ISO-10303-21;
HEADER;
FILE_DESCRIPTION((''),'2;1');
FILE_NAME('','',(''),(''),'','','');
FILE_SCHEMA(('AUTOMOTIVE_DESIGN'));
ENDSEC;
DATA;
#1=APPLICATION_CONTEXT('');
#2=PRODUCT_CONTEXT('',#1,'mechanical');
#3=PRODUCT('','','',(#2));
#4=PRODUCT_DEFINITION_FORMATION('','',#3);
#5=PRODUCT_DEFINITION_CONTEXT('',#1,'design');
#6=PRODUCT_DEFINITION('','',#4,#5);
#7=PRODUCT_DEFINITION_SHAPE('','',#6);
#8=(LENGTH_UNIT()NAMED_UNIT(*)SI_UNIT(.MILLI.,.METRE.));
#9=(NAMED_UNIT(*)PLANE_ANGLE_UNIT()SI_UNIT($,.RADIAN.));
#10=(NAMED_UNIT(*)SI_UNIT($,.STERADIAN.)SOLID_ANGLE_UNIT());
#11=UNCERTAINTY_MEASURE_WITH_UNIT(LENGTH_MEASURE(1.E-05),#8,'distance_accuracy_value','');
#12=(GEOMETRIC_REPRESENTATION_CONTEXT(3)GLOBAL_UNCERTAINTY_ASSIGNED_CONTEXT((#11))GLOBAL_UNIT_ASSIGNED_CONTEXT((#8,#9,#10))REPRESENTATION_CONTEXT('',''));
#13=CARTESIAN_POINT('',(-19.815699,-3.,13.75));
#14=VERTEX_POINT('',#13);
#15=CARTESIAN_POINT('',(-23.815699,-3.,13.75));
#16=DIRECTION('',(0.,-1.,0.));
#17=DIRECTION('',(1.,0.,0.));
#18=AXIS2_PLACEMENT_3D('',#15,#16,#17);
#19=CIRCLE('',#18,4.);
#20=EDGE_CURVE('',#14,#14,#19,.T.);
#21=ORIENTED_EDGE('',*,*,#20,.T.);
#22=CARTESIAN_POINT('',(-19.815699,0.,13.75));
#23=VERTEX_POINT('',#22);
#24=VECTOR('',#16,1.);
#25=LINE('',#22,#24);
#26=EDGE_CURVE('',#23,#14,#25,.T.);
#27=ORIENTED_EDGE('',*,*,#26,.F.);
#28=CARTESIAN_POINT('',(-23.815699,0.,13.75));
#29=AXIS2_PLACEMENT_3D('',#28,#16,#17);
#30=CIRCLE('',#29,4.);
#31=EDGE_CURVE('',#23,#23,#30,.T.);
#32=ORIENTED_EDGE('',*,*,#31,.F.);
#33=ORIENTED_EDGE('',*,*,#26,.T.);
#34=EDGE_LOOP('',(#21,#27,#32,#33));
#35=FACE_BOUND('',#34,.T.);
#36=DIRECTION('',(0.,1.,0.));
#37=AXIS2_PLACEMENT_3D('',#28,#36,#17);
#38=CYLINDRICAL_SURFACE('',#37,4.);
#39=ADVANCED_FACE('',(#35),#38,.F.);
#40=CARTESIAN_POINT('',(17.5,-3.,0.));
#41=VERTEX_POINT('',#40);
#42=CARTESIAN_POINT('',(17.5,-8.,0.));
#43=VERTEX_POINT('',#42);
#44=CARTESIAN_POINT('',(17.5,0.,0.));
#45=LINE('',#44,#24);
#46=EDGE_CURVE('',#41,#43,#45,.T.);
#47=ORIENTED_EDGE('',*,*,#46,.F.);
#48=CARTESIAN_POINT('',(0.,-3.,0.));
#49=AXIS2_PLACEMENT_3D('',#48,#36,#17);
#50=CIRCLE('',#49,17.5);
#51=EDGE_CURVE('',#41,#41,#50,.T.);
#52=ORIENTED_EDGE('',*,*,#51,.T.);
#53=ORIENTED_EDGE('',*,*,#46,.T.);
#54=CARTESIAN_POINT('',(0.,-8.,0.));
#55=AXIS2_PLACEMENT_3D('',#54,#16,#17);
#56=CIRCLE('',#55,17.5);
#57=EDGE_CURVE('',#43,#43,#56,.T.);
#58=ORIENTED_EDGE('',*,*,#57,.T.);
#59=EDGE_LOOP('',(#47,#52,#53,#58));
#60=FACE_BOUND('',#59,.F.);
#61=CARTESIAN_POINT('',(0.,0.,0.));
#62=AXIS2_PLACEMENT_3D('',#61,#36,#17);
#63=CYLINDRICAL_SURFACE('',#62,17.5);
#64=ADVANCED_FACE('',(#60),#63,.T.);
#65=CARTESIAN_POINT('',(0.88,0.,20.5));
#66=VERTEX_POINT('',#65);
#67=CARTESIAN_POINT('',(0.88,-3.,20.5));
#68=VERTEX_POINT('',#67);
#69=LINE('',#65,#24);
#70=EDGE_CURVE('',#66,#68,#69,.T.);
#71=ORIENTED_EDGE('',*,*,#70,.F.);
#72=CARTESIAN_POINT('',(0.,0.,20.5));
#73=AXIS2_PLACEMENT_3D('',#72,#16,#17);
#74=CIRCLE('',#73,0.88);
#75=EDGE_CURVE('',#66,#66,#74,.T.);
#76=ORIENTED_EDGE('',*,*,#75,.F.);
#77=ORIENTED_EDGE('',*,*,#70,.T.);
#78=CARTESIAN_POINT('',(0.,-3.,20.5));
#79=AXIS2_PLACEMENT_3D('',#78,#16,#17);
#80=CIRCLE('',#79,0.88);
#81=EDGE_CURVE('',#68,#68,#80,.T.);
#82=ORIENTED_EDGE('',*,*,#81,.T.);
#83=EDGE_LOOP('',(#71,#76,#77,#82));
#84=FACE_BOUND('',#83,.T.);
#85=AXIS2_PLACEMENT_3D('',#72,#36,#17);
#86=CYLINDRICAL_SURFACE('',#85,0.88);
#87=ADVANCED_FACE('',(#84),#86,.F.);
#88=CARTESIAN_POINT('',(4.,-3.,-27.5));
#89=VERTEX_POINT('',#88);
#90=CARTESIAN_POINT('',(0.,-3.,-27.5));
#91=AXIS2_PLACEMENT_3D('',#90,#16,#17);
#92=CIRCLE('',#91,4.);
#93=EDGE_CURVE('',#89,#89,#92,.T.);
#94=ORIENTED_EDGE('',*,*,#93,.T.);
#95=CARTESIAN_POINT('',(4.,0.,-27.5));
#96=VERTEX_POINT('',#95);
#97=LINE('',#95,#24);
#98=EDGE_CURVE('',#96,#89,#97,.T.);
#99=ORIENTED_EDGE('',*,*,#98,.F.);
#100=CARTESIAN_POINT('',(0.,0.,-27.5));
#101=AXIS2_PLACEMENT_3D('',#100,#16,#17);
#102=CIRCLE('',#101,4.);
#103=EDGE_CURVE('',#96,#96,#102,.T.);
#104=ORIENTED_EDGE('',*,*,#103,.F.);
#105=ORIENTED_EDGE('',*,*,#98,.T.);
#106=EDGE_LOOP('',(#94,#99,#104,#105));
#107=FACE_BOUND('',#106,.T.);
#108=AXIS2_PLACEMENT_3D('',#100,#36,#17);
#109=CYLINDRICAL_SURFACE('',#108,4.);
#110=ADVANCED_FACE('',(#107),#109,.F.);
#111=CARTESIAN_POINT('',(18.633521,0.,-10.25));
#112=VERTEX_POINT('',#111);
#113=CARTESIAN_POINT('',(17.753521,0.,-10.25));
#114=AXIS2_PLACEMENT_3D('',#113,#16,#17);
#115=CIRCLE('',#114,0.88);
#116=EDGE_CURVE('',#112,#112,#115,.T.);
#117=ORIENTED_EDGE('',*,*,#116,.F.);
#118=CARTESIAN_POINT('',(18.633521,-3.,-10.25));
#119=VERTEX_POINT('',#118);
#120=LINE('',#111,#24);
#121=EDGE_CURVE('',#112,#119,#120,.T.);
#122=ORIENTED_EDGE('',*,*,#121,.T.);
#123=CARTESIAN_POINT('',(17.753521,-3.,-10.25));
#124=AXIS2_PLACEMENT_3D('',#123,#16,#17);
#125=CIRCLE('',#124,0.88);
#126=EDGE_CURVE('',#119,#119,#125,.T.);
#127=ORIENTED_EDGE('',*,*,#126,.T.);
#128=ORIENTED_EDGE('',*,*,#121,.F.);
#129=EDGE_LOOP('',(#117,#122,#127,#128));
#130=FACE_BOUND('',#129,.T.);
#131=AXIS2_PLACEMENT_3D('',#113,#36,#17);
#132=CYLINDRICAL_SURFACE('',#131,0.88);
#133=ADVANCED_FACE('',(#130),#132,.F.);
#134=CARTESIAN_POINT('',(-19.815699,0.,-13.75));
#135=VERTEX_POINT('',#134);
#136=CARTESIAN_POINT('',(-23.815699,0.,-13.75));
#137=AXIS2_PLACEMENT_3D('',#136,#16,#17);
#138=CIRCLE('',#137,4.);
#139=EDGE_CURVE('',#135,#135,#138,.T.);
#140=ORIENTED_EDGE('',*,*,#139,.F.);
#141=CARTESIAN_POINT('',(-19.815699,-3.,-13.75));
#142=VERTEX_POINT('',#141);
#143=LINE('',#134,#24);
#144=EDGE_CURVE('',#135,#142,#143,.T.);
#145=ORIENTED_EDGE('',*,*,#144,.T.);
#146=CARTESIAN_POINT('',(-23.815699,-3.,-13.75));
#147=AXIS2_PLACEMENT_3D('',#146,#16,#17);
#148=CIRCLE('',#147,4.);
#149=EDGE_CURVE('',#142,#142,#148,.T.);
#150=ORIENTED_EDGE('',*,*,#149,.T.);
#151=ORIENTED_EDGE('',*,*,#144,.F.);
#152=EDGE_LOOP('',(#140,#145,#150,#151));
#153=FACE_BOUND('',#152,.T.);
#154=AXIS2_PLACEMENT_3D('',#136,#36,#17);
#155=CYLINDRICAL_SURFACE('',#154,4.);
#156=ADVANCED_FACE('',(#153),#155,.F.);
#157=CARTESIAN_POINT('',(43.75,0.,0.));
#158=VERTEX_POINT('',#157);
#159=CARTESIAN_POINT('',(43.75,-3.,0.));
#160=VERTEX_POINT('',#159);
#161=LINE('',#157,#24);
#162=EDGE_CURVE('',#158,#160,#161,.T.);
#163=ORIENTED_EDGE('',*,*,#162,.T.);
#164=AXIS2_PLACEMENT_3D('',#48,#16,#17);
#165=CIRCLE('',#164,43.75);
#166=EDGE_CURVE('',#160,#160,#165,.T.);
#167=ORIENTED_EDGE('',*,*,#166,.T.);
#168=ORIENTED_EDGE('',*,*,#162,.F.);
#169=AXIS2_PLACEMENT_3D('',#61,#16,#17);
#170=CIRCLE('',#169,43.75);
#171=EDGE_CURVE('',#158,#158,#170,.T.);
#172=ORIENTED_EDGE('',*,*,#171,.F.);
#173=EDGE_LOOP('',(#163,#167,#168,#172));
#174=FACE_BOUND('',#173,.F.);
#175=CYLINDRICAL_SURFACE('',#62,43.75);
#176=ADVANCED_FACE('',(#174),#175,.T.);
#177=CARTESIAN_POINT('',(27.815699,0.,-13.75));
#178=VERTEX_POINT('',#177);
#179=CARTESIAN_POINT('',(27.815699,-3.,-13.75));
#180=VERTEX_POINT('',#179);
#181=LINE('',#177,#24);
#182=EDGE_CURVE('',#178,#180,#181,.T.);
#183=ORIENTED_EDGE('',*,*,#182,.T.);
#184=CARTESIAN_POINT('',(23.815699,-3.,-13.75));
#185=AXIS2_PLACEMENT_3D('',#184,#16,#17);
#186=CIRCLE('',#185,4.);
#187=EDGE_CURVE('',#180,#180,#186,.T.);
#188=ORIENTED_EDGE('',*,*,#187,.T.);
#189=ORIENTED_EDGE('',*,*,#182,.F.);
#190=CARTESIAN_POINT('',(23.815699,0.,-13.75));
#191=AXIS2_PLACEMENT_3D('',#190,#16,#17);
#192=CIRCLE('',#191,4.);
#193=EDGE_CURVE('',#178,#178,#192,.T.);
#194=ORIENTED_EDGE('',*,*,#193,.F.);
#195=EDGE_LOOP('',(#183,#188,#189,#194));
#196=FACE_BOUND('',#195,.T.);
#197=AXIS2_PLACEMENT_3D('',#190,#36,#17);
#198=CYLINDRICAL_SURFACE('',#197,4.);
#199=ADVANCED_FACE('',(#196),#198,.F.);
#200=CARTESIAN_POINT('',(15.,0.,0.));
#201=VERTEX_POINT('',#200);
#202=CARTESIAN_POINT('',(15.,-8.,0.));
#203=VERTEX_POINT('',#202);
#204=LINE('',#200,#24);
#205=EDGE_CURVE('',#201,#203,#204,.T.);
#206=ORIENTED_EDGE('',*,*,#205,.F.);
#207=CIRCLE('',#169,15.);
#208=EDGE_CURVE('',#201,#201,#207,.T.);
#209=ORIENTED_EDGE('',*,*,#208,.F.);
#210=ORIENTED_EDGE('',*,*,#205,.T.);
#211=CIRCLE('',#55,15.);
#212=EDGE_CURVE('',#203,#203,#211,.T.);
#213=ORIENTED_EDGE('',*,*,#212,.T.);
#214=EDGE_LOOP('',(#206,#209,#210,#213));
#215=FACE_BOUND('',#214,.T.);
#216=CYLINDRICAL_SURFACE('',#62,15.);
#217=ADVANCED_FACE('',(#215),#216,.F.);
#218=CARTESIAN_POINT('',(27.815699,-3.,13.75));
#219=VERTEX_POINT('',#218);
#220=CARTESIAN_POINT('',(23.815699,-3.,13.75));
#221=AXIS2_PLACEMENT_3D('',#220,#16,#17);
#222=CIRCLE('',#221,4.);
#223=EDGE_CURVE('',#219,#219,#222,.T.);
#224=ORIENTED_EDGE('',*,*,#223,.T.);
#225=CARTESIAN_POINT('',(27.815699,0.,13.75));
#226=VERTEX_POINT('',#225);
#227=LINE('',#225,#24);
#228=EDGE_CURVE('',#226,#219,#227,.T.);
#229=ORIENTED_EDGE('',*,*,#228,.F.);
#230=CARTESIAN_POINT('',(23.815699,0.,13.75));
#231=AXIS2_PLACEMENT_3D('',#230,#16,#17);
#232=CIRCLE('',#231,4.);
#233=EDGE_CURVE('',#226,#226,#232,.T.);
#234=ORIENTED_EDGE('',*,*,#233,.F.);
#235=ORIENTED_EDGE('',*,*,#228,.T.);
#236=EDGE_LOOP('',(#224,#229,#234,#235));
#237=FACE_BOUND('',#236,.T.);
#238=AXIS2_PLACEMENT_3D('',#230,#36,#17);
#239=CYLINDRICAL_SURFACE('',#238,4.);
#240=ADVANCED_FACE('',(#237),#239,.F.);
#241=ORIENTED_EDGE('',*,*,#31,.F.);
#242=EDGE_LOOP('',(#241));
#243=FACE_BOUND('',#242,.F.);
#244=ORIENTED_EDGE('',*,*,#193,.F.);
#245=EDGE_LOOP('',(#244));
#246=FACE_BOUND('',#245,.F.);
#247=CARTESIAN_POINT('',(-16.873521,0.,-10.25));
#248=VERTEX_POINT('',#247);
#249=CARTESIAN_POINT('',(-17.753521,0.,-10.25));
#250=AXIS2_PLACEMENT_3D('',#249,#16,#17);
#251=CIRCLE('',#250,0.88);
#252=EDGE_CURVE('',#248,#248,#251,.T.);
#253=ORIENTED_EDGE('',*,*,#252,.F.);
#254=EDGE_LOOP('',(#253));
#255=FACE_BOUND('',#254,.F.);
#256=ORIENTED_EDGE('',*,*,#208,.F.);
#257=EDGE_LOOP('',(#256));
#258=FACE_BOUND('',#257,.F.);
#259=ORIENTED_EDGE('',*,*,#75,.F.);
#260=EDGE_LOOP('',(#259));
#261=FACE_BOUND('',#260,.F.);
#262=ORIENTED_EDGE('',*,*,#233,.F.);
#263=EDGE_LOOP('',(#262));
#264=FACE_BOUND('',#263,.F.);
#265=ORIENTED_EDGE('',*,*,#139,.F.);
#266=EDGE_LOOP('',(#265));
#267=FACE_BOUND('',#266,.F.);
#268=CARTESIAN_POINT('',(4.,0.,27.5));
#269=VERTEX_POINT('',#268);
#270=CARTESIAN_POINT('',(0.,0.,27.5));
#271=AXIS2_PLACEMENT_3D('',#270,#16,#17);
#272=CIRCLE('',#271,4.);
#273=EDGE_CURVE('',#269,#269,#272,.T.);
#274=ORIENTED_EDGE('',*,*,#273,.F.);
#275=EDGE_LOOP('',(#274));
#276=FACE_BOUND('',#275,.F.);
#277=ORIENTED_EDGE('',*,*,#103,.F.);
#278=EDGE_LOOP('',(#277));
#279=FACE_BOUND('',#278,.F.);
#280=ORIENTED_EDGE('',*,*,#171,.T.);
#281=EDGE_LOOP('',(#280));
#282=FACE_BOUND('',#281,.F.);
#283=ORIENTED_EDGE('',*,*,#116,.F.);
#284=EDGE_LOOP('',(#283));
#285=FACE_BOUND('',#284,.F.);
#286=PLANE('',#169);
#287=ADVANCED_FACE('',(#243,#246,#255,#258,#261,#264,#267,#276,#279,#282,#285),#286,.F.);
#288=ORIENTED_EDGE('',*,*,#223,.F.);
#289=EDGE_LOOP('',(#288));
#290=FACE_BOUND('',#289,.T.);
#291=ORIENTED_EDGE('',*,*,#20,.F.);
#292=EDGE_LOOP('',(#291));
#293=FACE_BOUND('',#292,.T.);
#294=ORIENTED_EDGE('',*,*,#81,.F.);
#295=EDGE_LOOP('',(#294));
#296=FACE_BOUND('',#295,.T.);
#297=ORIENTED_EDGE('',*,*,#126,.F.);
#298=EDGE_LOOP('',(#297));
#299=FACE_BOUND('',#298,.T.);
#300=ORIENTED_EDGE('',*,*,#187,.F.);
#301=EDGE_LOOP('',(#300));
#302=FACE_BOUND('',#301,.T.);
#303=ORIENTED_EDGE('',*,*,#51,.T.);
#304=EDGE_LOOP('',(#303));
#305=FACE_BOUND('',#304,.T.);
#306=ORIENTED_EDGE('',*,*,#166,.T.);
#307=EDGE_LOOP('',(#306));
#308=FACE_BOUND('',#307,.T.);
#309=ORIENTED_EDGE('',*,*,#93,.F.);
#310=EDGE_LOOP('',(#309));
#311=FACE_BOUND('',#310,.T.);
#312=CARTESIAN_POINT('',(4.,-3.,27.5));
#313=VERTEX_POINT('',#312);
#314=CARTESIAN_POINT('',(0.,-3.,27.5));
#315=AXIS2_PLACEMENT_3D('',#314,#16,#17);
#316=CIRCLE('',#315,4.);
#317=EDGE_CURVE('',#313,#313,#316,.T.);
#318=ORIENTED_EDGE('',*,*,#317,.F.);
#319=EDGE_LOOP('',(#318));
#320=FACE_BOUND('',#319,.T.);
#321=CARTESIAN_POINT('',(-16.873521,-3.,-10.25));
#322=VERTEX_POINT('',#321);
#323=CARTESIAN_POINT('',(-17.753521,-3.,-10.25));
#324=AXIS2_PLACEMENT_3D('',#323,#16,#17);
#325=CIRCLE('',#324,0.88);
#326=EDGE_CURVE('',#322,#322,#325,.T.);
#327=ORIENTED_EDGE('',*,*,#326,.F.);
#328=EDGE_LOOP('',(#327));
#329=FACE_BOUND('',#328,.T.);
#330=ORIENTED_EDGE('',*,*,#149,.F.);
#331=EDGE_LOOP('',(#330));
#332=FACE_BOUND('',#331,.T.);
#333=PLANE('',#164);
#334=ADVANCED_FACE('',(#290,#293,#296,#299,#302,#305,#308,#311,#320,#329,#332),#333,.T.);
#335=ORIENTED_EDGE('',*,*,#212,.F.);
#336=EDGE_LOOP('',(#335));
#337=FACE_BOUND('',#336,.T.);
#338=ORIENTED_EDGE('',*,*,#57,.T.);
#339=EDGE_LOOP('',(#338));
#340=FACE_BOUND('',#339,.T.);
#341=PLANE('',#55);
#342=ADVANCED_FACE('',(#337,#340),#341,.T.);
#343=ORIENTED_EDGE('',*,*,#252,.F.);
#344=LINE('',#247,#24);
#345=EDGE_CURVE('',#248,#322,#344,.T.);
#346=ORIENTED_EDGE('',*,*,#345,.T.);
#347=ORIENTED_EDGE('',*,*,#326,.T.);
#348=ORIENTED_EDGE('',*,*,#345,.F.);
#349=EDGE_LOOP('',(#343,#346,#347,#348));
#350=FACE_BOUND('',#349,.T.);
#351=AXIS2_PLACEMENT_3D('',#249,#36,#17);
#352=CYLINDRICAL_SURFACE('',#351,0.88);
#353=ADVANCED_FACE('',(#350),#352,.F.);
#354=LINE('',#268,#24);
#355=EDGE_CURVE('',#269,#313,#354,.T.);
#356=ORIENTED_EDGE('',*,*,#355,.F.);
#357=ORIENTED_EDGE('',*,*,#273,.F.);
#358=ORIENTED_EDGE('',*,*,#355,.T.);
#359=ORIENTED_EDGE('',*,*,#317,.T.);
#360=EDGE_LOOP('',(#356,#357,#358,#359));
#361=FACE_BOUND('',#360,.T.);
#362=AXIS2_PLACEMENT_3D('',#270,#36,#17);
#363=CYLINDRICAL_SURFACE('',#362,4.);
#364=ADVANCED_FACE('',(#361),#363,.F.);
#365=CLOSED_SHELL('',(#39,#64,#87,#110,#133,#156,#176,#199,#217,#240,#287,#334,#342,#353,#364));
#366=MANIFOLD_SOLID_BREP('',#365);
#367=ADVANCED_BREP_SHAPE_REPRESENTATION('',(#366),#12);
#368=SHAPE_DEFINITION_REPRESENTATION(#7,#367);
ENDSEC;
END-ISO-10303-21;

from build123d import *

# Parameters (mm, degrees)
F0_R     = 43.75
F0_R_2   = 4
F0_R_3   = 0.88
F0_R_4   = 17.5
F0_R_5   = 15
F1_DEPTH = 3
F2_DEPTH = 8


with BuildPart() as f1:
    # F0 (on Front) → F1 (new body)
    with BuildSketch(Plane.XZ):
        Circle(F0_R)
        with Locations((-23.815699, -13.75)):
            Circle(F0_R_2, mode=Mode.SUBTRACT)
        with Locations((-17.753521, -10.25)):
            Circle(F0_R_3, mode=Mode.SUBTRACT)
        with Locations((0, -27.5)):
            Circle(F0_R_2, mode=Mode.SUBTRACT)
        with Locations((17.753521, -10.25)):
            Circle(F0_R_3, mode=Mode.SUBTRACT)
        with Locations((23.815699, -13.75)):
            Circle(F0_R_2, mode=Mode.SUBTRACT)
        with Locations((-23.815699, 13.75)):
            Circle(F0_R_2, mode=Mode.SUBTRACT)
        Circle(F0_R_4, mode=Mode.SUBTRACT)
        with Locations((0, 20.5)):
            Circle(F0_R_3, mode=Mode.SUBTRACT)
        with Locations((23.815699, 13.75)):
            Circle(F0_R_2, mode=Mode.SUBTRACT)
        with Locations((0, 27.5)):
            Circle(F0_R_2, mode=Mode.SUBTRACT)
        Circle(F0_R_4)
        Circle(F0_R_5, mode=Mode.SUBTRACT)
    extrude(amount=F1_DEPTH)

    # F0 (on Front) → F2 (join)
    with BuildSketch(Plane.XZ):
        Circle(F0_R_4)
        Circle(F0_R_5, mode=Mode.SUBTRACT)
    extrude(amount=F2_DEPTH)


solid = f1.part
